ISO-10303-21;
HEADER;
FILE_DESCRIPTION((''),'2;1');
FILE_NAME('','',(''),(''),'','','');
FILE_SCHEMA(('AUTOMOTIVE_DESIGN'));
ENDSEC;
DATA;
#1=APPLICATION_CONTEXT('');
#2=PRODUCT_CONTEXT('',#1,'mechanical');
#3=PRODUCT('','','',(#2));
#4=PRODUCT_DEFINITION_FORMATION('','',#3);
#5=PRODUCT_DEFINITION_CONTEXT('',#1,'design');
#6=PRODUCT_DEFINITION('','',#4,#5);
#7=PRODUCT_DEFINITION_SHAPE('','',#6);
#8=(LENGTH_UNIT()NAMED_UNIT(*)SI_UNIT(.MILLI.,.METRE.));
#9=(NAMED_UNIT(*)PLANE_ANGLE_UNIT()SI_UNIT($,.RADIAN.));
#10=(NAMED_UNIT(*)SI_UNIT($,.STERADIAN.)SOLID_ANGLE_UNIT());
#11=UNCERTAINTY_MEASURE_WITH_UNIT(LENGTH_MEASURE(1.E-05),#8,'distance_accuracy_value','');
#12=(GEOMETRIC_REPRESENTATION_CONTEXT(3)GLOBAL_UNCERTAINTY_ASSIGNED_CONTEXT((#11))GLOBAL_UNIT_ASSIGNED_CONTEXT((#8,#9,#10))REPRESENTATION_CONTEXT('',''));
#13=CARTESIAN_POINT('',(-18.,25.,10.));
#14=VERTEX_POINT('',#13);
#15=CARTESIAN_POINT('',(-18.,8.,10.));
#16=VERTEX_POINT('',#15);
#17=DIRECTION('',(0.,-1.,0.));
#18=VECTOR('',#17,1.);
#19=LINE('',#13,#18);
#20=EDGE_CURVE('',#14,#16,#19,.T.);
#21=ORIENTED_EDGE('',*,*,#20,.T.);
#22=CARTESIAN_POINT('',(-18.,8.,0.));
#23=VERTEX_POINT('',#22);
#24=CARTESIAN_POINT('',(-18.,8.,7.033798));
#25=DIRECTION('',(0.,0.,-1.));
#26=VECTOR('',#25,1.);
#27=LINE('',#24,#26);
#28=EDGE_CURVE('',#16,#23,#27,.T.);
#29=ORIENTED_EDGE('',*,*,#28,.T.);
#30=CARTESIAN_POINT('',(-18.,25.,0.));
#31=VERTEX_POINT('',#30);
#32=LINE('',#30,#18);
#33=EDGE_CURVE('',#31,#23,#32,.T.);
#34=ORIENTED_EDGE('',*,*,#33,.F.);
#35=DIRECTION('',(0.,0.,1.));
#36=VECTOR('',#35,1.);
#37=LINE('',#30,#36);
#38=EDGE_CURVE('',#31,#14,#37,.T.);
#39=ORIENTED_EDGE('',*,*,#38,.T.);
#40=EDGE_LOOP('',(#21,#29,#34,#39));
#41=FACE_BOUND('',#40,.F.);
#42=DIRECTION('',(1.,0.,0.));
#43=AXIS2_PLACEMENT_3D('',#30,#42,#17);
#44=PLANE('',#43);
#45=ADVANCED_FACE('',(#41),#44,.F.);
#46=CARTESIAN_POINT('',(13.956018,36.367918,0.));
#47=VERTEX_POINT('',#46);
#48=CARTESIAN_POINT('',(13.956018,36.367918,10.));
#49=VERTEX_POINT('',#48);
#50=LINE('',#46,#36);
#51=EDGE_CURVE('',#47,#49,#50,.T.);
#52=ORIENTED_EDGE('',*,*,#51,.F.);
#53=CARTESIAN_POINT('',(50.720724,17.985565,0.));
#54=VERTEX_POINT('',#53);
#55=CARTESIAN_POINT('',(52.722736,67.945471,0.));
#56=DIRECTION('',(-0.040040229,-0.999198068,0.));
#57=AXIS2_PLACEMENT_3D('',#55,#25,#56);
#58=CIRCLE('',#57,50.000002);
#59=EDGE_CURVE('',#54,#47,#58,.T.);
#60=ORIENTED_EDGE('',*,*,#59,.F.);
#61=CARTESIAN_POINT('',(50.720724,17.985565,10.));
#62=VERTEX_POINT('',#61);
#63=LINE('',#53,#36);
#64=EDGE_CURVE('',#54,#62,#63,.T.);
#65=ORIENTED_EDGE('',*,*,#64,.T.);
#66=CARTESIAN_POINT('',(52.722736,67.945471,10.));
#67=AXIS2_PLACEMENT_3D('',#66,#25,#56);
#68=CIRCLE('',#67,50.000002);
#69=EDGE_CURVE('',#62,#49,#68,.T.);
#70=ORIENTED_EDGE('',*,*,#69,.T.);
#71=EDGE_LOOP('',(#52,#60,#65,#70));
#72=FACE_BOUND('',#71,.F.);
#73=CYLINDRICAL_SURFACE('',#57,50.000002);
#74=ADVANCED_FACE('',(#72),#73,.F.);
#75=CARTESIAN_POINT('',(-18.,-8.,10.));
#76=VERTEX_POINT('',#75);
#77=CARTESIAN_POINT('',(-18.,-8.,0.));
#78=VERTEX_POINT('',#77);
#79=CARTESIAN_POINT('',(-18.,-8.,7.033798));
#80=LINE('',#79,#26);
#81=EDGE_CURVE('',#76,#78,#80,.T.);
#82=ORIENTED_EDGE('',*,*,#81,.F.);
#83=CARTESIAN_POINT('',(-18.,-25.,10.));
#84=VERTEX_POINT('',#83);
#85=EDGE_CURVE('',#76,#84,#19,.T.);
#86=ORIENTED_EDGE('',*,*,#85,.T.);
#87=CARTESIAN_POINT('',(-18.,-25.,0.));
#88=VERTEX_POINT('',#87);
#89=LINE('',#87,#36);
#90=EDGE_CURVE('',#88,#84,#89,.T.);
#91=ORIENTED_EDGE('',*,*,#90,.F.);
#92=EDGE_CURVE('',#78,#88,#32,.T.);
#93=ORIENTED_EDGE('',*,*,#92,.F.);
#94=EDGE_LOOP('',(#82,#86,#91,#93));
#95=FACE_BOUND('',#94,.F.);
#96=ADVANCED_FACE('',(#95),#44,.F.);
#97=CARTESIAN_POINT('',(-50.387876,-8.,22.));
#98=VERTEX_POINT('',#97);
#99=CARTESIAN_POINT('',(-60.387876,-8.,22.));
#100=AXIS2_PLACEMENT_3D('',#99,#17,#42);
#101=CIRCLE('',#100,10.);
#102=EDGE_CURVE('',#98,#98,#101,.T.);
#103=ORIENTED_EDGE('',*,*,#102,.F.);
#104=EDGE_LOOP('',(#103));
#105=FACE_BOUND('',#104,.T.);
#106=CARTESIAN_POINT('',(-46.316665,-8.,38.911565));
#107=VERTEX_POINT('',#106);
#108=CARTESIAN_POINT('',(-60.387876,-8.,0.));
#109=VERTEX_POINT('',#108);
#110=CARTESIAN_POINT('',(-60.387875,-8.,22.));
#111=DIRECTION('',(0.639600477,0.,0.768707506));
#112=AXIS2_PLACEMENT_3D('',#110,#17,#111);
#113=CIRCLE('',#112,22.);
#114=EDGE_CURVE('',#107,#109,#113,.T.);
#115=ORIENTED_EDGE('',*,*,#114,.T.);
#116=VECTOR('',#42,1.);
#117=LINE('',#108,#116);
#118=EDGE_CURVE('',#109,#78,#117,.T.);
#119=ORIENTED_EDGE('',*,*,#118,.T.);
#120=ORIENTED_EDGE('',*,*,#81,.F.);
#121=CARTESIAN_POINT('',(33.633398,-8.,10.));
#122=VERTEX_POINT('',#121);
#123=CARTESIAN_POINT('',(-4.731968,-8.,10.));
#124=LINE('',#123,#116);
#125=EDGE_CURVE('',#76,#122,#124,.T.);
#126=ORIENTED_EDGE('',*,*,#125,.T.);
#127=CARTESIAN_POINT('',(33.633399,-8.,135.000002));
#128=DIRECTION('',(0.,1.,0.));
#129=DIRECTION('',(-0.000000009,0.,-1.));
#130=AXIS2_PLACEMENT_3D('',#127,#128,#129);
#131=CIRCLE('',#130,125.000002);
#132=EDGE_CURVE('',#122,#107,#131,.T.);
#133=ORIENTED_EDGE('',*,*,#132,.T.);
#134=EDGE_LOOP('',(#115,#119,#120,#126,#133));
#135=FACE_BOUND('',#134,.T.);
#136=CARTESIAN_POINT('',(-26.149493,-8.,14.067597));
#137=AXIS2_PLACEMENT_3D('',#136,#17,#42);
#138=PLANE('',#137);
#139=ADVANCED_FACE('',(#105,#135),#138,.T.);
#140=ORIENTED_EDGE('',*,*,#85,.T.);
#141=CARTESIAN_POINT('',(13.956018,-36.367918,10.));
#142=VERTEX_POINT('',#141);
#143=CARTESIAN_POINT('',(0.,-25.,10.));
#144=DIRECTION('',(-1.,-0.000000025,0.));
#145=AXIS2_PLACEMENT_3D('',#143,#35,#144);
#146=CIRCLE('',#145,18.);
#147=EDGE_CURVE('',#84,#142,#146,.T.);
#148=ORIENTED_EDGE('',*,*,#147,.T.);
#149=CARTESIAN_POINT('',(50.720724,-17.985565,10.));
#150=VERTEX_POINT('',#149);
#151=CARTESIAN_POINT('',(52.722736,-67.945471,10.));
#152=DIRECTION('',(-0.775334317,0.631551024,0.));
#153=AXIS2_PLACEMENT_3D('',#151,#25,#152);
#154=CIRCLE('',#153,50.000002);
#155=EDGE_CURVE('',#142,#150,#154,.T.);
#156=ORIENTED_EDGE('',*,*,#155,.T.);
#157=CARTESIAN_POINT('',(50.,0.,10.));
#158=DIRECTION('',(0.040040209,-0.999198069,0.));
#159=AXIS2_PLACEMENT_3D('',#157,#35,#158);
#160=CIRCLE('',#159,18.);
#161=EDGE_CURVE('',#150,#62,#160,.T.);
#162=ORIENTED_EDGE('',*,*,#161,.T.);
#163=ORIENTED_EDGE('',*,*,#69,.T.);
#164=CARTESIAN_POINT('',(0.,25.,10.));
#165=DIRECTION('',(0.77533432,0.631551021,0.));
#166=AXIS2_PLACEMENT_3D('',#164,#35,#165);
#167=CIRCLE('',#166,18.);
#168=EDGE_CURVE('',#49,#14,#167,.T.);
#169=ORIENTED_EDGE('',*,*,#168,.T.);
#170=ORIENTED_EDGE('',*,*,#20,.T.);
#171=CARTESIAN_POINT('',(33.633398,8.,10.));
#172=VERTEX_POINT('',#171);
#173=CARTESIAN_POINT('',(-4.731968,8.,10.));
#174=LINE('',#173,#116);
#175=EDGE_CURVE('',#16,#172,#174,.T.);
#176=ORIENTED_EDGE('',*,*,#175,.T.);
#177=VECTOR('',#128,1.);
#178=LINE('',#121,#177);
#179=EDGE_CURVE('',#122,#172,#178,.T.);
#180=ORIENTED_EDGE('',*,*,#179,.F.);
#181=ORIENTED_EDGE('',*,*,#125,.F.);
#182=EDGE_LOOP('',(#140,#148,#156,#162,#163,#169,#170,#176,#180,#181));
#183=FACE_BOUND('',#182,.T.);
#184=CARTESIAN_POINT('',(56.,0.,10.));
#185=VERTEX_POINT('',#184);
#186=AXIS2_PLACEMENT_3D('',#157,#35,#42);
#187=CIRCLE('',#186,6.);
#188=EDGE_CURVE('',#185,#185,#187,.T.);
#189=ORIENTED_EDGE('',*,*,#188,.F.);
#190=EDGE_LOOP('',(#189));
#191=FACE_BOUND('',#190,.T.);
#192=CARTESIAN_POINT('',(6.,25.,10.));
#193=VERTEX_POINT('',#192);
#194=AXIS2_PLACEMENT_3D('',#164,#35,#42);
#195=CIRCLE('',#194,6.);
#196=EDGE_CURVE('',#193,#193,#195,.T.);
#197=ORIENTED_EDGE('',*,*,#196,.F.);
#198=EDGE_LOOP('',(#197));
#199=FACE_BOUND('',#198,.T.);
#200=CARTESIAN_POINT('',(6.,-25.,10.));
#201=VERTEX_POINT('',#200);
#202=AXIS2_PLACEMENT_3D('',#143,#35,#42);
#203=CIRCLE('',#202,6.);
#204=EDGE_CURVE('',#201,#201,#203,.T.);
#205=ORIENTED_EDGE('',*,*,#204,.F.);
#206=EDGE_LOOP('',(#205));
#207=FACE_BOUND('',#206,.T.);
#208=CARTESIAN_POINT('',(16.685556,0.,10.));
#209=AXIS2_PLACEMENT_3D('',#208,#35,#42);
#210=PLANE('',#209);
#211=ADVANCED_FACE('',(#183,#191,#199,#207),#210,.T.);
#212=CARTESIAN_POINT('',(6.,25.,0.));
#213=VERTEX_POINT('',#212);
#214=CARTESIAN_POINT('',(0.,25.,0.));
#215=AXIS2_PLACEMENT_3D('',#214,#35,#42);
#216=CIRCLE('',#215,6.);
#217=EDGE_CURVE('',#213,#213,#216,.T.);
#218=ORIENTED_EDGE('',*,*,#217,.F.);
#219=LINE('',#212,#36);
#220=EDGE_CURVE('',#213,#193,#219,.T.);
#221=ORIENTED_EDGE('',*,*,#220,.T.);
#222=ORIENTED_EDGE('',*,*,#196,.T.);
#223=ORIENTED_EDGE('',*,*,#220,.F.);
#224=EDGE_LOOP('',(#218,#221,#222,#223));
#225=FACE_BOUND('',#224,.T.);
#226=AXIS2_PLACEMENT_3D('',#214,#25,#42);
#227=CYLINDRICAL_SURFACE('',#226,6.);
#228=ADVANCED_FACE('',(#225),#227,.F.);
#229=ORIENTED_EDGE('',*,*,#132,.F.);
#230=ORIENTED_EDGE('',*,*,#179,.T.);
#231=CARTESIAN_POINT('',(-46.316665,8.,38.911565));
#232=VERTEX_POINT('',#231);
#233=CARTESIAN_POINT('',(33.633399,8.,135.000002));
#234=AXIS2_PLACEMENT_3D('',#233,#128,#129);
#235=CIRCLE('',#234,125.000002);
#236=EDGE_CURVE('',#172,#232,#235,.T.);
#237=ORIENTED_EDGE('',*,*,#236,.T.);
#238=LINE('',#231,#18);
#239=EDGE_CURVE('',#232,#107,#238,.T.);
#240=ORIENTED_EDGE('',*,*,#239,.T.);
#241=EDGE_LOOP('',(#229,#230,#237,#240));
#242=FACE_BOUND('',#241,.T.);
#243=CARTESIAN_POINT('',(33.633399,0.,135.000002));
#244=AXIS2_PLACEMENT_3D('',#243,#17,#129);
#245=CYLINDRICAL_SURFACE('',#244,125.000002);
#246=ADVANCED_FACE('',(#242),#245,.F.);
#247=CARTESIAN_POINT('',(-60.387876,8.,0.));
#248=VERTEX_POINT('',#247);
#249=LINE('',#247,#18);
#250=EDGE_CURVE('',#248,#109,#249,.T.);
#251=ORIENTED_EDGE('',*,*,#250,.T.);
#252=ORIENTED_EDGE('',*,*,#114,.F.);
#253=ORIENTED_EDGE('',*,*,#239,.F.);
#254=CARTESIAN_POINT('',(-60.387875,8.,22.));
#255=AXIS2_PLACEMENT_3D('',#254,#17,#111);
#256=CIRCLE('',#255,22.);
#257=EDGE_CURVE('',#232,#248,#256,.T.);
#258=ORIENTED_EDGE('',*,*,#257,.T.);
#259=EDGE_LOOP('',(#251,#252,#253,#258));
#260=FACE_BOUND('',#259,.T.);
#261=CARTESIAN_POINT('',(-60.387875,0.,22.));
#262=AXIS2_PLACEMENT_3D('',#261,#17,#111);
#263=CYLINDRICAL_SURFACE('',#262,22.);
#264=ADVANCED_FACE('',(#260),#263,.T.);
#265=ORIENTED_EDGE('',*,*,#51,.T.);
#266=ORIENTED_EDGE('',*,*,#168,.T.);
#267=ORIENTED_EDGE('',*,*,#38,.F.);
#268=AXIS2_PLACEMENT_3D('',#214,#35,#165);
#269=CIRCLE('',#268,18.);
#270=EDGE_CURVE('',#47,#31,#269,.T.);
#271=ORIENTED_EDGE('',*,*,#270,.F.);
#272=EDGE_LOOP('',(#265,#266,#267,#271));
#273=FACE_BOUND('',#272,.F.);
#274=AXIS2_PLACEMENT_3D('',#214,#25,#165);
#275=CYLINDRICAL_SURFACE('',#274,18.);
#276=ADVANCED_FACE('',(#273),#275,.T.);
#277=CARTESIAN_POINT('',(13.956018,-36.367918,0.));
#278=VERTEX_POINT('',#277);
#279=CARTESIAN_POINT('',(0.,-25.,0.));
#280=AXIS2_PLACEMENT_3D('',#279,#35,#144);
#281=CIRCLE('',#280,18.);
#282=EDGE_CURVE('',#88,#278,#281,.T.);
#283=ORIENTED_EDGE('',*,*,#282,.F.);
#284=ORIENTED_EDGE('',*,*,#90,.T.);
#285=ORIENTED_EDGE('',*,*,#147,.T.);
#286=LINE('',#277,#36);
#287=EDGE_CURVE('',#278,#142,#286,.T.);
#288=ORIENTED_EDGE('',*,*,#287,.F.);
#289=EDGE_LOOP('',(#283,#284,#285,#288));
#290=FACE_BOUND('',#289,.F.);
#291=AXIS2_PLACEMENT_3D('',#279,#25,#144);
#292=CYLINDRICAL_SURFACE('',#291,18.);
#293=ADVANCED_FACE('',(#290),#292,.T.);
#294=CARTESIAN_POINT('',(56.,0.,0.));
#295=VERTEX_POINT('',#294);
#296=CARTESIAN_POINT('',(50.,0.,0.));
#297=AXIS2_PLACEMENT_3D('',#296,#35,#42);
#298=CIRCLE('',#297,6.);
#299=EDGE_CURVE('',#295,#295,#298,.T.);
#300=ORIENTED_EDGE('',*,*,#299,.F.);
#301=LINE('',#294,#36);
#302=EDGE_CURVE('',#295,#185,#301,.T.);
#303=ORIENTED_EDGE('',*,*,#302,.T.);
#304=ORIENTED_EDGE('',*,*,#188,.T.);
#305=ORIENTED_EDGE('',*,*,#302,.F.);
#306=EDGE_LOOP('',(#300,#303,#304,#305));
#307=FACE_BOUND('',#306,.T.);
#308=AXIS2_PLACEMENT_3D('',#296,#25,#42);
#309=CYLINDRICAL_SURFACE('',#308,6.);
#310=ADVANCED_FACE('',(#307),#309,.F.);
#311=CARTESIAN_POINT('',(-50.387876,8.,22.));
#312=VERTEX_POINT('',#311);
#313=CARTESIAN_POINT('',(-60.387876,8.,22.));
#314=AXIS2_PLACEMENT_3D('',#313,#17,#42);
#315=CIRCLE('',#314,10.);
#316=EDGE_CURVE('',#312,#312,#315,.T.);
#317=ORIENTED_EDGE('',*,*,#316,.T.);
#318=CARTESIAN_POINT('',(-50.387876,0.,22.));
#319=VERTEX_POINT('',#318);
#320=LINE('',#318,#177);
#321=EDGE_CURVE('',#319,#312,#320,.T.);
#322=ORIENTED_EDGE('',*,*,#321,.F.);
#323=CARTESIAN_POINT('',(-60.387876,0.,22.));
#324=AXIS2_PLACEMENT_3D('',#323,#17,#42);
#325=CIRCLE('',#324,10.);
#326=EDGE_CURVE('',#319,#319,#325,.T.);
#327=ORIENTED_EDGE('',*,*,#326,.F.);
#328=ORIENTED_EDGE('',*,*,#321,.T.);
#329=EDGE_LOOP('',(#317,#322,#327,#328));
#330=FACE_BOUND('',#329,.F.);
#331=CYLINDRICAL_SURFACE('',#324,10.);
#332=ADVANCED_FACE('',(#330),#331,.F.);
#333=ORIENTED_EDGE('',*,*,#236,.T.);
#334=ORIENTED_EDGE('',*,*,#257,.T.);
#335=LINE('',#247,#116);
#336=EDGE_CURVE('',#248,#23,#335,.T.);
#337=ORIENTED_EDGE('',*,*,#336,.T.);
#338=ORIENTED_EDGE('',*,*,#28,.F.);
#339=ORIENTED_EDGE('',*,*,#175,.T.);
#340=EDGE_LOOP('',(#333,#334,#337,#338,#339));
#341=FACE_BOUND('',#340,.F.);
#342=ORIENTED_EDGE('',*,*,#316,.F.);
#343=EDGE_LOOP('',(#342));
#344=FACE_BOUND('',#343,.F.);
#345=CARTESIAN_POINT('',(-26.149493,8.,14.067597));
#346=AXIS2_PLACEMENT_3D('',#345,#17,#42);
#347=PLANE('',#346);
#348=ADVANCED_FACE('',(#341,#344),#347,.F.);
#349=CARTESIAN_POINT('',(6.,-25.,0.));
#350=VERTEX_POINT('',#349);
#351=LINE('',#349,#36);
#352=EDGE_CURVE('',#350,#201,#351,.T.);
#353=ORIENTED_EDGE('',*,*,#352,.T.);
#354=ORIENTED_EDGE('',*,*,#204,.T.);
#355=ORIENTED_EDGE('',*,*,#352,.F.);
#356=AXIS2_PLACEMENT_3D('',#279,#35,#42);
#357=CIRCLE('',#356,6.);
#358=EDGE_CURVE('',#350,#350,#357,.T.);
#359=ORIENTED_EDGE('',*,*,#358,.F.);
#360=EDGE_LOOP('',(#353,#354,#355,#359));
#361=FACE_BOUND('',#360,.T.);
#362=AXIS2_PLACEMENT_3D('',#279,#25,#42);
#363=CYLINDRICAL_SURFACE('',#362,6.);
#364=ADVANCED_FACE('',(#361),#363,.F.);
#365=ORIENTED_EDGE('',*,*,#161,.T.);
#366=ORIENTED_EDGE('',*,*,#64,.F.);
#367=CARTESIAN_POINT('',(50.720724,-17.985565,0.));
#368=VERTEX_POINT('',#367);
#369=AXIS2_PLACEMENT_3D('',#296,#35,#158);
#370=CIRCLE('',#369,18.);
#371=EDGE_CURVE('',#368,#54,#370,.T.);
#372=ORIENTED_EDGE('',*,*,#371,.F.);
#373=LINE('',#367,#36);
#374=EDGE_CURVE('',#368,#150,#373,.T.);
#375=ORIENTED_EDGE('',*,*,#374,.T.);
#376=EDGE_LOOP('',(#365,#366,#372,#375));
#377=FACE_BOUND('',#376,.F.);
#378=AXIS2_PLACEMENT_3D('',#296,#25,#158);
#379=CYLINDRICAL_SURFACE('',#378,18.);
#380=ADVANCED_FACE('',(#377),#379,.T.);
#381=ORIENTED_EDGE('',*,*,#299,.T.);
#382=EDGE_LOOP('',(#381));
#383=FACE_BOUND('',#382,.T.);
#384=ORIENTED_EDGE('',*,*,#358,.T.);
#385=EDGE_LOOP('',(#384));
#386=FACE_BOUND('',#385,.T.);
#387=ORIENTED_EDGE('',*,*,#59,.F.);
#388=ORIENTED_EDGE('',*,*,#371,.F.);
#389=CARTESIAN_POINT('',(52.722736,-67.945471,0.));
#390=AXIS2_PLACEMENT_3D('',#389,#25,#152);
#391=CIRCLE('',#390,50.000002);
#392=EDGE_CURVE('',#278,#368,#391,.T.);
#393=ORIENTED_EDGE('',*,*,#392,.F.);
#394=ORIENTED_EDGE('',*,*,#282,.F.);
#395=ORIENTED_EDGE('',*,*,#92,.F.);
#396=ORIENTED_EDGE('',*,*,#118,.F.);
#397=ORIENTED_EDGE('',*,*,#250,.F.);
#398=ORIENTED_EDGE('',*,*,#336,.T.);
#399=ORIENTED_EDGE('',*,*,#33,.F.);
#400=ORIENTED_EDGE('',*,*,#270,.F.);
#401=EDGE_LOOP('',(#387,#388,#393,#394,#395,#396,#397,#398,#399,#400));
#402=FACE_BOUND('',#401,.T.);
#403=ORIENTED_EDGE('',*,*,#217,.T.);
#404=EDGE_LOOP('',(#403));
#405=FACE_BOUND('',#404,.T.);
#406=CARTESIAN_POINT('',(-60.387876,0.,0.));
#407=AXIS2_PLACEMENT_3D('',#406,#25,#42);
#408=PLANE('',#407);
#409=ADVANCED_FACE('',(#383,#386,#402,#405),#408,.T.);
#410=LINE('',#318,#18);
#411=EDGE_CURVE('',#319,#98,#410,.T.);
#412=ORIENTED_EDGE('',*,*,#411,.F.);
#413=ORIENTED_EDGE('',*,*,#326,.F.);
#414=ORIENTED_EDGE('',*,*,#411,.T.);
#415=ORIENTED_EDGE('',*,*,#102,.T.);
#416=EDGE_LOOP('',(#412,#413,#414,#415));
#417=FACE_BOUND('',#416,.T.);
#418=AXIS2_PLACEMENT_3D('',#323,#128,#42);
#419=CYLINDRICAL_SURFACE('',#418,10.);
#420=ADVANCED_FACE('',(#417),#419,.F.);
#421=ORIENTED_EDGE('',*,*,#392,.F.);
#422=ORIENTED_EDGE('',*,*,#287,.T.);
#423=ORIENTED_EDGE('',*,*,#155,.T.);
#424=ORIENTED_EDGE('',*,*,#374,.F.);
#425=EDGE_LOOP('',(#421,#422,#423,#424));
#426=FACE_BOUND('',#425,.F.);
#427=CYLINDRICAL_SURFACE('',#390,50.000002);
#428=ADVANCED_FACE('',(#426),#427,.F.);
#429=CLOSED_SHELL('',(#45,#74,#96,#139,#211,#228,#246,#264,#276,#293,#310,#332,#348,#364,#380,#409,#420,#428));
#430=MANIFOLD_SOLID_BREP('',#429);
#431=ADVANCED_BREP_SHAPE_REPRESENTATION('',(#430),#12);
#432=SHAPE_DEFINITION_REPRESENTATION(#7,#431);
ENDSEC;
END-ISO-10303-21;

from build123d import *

# Parameters (mm, degrees)
F0_R          = 6
F1_DEPTH      = 10
F2_R          = 10
F3_DEPTH      = 8
F3_DEPTH_BACK = 8


with BuildPart() as f1:
    # F0 (on Top) → F1 (new body)
    with BuildSketch(Plane.XY):
        with BuildLine():
            ThreePointArc((50.720724, 17.985565), (30.362055, 23.224109), (13.956018, 36.367918))
            ThreePointArc((13.956018, 36.367918), (-6.032896, 41.958896), (-18, 25))
            Line((-18, 25), (-18, -25))
            ThreePointArc((-18, -25), (-6.032896, -41.958896), (13.956018, -36.367918))
            ThreePointArc((13.956018, -36.367918), (30.362055, -23.224109), (50.720724, -17.985565))
            ThreePointArc((50.720724, -17.985565), (68, 0), (50.720724, 17.985565))
        make_face()
        with Locations((0, -25)):
            Circle(F0_R, mode=Mode.SUBTRACT)
        with Locations((0, 25)):
            Circle(F0_R, mode=Mode.SUBTRACT)
        with Locations((50, 0)):
            Circle(F0_R, mode=Mode.SUBTRACT)
    extrude(amount=F1_DEPTH)

    # F2 (on Front) → F3 (join, two sides)
    with BuildSketch(Plane.XZ) as f3_sk:
        with BuildLine():
            ThreePointArc((33.633398, 10), (-8.875104, 17.449895), (-46.316665, 38.911565))
            ThreePointArc((-46.316665, 38.911565), (-81.076694, 29.481496), (-60.387876, 0))
            Line((-60.387876, 0), (33.633398, 0))
            Line((33.633398, 0), (33.633398, 10))
        make_face()
        with Locations((-60.387876, 22)):
            Circle(F2_R, mode=Mode.SUBTRACT)
    extrude(amount=F3_DEPTH)
    extrude(f3_sk.sketch, amount=-F3_DEPTH_BACK)


solid = f1.part
